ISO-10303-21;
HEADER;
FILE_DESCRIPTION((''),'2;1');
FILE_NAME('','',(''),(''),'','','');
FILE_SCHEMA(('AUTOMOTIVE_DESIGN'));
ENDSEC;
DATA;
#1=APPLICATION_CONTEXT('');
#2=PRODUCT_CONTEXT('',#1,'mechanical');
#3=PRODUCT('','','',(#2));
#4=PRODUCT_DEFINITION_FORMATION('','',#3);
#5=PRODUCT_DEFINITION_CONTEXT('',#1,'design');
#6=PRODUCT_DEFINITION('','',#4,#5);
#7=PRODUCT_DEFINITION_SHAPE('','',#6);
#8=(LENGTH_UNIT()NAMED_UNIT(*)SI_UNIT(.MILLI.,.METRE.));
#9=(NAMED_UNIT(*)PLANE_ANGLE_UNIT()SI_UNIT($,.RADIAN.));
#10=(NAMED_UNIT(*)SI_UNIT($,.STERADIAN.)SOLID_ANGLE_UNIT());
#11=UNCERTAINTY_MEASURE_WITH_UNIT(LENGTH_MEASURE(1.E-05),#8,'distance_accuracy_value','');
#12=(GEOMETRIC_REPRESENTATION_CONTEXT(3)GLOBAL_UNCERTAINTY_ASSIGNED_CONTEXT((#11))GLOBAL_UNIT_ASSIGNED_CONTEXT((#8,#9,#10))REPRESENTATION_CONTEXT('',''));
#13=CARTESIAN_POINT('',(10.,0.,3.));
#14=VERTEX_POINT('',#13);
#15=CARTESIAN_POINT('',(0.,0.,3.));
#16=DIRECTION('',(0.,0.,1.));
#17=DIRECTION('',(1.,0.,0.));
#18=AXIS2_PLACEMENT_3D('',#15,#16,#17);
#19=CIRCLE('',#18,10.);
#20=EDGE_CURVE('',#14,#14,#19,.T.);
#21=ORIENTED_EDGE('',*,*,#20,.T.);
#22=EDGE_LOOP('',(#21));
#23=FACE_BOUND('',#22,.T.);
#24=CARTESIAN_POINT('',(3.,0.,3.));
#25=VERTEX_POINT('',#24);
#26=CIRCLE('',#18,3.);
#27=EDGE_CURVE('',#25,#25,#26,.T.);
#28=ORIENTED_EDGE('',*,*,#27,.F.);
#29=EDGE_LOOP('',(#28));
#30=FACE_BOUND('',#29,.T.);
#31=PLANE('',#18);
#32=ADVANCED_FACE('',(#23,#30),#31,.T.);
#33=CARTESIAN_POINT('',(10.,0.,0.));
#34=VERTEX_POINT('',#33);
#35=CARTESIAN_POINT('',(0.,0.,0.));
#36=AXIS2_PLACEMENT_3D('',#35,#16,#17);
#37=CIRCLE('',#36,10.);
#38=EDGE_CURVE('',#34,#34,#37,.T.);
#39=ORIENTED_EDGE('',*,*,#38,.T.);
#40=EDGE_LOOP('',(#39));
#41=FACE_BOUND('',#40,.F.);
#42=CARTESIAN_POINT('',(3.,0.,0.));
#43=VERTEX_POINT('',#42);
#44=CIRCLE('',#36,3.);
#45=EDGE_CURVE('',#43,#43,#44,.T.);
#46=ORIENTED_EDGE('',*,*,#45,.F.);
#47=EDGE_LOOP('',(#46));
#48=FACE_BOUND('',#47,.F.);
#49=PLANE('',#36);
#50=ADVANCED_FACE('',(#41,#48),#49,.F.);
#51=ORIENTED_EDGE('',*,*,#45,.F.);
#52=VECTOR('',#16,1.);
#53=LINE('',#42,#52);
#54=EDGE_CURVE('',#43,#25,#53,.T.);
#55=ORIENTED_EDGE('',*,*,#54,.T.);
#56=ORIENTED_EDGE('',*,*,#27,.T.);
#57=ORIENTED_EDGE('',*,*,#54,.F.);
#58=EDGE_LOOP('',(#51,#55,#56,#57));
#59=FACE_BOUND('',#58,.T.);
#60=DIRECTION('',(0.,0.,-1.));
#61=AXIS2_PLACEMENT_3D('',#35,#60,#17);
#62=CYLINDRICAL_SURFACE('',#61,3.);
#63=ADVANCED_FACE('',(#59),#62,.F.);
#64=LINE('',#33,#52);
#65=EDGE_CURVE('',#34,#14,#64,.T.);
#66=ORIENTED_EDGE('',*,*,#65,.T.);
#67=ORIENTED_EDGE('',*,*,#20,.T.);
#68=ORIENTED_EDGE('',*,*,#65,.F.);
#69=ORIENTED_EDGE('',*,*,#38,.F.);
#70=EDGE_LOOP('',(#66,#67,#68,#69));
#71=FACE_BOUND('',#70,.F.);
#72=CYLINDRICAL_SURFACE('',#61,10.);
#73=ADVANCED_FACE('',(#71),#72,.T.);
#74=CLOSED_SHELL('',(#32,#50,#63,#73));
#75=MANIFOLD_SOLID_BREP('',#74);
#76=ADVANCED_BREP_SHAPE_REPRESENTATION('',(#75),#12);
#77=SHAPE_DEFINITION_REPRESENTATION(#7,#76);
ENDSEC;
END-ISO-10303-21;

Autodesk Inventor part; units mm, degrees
ref_plane "YZ Plane" through (0, 0, 0) normal (1, 0, 0) x (0, 1, 0)
ref_plane "XZ Plane" through (0, 0, 0) normal (0, 1, 0) x (-1, 0, 0)
ref_plane "XY Plane" through (0, 0, 0) normal (0, 0, 1) x (1, 0, 0)
sketch "Sketch1" plane through (0, 0, 0) normal (0, 0, 1) x (1, 0, 0)
  circle A0 centre (0, 0) radius 3
  circle A1 centre (0, 0) radius 10
  dimension "d0" = 6
  dimension "d3" = 20
extrude "Extrusion1" add sketch "Sketch1" along normal blind 3
properties part number "spacer"
